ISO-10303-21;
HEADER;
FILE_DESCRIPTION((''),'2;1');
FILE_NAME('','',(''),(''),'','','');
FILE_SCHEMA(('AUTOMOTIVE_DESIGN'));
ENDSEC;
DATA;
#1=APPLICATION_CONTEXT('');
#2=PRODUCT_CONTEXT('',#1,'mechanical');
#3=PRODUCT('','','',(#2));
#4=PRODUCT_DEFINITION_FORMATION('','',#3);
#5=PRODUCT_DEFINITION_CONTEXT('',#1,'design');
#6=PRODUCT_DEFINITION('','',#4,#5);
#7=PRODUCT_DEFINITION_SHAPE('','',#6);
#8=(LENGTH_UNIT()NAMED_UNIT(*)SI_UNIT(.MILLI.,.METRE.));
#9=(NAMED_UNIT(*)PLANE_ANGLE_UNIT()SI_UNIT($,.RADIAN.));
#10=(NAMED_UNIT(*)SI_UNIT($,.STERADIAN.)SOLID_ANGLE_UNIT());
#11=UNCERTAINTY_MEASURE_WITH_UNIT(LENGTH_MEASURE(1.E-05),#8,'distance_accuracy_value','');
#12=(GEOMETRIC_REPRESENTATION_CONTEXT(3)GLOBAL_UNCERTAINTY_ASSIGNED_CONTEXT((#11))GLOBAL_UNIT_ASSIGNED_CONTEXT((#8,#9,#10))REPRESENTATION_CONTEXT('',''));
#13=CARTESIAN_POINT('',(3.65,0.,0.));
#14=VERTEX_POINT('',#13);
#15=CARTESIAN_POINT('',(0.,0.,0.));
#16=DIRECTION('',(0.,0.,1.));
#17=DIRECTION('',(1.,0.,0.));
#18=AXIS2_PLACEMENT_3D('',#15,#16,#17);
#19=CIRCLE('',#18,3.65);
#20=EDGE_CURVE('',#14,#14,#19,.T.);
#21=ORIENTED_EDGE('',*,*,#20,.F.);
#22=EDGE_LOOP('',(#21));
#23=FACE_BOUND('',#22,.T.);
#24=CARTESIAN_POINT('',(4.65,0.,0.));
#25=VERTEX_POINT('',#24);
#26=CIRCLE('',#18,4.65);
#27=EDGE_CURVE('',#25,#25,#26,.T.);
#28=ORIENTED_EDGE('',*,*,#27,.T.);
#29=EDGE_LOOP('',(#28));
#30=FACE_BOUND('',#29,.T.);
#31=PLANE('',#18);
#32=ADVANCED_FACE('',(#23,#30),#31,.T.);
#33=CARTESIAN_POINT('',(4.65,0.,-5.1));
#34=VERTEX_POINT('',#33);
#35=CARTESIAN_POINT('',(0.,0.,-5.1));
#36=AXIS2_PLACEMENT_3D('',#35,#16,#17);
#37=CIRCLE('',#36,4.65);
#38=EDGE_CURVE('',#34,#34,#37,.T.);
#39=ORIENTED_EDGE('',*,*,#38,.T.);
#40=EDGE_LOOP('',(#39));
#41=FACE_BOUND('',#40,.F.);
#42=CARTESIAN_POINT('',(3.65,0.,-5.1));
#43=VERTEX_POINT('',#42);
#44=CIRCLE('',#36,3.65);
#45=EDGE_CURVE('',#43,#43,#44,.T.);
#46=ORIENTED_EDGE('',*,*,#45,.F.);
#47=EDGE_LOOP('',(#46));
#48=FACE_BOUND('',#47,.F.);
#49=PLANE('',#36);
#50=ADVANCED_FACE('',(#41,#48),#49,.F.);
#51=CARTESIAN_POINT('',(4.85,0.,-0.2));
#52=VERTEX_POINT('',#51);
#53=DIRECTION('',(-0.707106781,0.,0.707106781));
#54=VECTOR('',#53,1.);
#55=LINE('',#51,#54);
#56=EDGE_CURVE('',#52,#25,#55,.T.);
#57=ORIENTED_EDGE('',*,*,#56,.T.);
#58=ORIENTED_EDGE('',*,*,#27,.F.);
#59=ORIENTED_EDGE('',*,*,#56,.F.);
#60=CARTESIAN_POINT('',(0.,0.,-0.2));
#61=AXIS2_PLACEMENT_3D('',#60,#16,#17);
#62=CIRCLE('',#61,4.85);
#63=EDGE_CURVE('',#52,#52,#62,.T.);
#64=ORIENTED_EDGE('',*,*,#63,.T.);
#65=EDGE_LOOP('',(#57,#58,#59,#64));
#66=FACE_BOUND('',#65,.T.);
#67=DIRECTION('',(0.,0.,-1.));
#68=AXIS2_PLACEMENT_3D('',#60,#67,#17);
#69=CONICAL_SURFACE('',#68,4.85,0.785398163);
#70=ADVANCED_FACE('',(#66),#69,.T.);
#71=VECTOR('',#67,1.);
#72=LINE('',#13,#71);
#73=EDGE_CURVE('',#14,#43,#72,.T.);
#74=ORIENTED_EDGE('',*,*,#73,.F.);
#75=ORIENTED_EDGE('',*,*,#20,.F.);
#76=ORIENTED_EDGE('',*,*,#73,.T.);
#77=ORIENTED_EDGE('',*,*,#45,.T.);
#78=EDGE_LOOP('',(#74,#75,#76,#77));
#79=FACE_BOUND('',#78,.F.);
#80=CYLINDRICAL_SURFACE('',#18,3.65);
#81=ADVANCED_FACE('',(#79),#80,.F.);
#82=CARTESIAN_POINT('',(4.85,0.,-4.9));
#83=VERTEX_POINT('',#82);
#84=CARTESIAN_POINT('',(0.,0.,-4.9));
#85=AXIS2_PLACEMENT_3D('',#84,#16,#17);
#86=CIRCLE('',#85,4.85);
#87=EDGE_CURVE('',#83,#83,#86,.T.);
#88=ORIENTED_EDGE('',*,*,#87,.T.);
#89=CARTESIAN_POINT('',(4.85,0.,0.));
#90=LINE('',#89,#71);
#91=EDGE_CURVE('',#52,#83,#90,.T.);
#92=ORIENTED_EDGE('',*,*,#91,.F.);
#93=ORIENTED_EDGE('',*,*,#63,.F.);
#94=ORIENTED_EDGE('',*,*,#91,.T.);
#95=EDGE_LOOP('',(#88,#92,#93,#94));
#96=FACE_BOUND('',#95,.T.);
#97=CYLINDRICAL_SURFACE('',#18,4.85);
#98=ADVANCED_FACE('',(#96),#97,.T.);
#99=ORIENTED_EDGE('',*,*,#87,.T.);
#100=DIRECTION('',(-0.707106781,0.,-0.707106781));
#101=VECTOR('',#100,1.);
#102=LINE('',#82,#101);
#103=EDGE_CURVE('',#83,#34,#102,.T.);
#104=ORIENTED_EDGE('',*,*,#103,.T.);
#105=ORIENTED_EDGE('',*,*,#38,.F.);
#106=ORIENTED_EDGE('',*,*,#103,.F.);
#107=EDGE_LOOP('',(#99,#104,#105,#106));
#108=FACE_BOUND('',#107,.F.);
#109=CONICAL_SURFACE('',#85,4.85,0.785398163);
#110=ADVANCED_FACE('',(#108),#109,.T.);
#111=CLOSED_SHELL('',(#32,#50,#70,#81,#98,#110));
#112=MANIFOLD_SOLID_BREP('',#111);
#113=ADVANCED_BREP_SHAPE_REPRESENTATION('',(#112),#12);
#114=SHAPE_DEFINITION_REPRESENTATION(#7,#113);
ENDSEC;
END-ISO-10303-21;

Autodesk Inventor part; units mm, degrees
ref_plane "YZ Plane" through (0, 0, 0) normal (1, 0, 0) x (0, 1, 0)
ref_plane "XZ Plane" through (0, 0, 0) normal (0, 1, 0) x (-1, 0, 0)
ref_plane "XY Plane" through (0, 0, 0) normal (0, 0, 1) x (1, 0, 0)
sketch "Sketch1" plane through (0, 0, 0) normal (0, 0, 1) x (1, 0, 0)
  circle A0 centre (0, 0) radius 4.85
  dimension "d0" = 9.7
extrude "Extrusion1" add sketch "Sketch1" against normal blind 5.1
sketch "Sketch2" plane through (0, 0, 0) normal (0, 0, 1) x (1, 0, 0)
  circle A0 centre (0, 0) radius 3.65
  dimension "d3" = 7.3
extrude "Extrusion2" cut sketch "Sketch2" against normal through all
chamfer "Chamfer1" distance 0.2 angle 45 2 edges at (-4.85, 0, 0) (-4.85, 0, -5.1)
properties part number "cap_bot"
